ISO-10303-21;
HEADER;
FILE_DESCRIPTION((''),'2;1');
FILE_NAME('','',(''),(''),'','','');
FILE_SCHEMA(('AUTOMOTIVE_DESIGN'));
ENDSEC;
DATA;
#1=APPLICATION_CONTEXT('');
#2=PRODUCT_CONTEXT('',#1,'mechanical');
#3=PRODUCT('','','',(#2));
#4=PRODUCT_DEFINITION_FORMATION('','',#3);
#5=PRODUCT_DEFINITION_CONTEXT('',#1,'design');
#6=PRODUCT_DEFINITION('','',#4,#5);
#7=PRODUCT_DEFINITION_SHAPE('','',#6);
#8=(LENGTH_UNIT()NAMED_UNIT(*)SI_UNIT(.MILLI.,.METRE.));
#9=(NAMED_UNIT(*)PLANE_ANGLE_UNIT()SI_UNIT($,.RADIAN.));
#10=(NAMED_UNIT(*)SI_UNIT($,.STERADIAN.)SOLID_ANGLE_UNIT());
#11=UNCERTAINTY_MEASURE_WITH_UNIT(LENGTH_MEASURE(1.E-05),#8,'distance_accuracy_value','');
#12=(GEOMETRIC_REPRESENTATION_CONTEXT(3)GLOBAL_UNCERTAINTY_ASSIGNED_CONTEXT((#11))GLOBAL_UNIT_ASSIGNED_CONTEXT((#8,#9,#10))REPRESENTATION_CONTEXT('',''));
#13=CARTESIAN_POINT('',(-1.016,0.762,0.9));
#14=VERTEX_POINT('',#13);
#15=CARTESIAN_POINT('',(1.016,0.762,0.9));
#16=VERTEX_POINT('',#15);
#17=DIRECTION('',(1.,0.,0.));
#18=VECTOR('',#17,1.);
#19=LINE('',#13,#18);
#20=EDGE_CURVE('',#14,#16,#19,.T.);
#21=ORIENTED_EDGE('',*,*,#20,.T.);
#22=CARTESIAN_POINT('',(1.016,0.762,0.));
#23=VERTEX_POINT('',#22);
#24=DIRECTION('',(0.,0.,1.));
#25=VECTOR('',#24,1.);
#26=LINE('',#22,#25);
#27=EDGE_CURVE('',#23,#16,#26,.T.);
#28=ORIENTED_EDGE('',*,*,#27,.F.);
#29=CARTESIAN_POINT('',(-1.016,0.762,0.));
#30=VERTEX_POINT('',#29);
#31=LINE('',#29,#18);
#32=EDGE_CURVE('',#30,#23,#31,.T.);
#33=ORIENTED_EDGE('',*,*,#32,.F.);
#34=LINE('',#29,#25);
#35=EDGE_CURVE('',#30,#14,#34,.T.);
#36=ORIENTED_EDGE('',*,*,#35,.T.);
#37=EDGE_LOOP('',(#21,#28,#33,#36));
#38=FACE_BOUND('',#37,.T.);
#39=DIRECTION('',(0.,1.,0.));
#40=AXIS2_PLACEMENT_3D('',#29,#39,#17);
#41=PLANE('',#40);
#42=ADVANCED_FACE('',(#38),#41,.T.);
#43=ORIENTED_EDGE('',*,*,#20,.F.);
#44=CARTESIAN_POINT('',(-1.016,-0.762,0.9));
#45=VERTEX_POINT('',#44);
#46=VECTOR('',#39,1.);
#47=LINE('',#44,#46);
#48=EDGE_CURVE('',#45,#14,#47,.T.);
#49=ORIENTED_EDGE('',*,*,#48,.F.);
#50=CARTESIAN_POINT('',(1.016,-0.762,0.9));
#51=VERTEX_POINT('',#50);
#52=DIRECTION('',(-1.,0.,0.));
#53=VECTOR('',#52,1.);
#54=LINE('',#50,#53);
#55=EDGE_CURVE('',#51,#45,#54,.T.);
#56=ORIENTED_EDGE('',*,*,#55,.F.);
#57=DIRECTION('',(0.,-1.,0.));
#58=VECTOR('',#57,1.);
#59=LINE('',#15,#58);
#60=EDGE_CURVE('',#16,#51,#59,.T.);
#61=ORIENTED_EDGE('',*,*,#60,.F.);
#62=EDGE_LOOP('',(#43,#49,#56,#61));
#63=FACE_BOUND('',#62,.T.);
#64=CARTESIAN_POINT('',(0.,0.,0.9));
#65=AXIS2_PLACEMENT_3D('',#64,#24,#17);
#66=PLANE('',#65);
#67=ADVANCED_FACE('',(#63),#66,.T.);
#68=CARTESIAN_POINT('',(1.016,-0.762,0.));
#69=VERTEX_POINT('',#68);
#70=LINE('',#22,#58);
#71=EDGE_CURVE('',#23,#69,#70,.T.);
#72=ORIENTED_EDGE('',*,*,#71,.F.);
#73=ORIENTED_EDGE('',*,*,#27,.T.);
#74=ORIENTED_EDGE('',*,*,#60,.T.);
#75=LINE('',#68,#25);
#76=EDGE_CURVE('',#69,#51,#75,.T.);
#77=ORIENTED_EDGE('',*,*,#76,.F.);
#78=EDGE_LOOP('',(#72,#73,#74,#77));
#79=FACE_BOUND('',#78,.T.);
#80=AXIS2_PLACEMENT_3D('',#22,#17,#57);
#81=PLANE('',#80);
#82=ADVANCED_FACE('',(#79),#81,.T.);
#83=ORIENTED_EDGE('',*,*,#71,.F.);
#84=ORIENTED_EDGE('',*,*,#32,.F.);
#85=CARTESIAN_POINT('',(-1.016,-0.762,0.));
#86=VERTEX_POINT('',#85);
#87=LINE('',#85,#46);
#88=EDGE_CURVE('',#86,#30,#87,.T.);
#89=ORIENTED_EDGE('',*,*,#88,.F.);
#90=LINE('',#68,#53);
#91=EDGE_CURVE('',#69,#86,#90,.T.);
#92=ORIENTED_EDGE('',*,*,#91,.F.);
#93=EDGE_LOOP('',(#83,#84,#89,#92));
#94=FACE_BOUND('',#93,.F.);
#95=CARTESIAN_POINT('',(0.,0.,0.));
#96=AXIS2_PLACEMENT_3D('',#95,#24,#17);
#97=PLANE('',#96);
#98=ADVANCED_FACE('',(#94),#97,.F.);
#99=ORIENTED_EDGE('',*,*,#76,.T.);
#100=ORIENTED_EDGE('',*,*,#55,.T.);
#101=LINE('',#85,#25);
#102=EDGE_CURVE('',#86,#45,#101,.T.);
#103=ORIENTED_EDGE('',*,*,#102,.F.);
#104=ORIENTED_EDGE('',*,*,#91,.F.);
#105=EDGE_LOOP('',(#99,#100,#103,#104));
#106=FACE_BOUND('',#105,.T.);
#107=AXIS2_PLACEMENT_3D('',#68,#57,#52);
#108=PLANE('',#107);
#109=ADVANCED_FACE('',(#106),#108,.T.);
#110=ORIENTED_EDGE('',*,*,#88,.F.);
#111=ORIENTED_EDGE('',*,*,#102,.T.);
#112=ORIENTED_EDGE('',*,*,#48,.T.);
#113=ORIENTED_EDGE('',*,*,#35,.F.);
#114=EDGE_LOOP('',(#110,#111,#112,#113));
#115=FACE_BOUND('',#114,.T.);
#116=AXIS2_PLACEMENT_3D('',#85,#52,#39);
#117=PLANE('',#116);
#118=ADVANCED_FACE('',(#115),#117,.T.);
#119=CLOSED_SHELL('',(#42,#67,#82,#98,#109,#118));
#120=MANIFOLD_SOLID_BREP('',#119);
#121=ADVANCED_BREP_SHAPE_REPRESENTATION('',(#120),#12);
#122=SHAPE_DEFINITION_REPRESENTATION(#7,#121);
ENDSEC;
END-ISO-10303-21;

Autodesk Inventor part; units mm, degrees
ref_plane "YZ Plane" through (0, 0, 0) normal (1, 0, 0) x (0, 1, 0)
ref_plane "XZ Plane" through (0, 0, 0) normal (0, 1, 0) x (-1, 0, 0)
ref_plane "XY Plane" through (0, 0, 0) normal (0, 0, 1) x (1, 0, 0)
sketch "C0805, CBC2012T100M_128" plane through (0, 0, 0) normal (0, 0, 1) x (1, 0, 0)
  line L0 (1.016, 0.762) -> (1.016, -0.762)
  line L1 (1.016, -0.762) -> (-1.016, -0.762)
  line L2 (-1.016, -0.762) -> (-1.016, 0.762)
  line L3 (-1.016, 0.762) -> (1.016, 0.762)
extrude "Extrusion1" add sketch "C0805, CBC2012T100M_128" along normal blind 0.9
properties part number "CBC2012T100M"
